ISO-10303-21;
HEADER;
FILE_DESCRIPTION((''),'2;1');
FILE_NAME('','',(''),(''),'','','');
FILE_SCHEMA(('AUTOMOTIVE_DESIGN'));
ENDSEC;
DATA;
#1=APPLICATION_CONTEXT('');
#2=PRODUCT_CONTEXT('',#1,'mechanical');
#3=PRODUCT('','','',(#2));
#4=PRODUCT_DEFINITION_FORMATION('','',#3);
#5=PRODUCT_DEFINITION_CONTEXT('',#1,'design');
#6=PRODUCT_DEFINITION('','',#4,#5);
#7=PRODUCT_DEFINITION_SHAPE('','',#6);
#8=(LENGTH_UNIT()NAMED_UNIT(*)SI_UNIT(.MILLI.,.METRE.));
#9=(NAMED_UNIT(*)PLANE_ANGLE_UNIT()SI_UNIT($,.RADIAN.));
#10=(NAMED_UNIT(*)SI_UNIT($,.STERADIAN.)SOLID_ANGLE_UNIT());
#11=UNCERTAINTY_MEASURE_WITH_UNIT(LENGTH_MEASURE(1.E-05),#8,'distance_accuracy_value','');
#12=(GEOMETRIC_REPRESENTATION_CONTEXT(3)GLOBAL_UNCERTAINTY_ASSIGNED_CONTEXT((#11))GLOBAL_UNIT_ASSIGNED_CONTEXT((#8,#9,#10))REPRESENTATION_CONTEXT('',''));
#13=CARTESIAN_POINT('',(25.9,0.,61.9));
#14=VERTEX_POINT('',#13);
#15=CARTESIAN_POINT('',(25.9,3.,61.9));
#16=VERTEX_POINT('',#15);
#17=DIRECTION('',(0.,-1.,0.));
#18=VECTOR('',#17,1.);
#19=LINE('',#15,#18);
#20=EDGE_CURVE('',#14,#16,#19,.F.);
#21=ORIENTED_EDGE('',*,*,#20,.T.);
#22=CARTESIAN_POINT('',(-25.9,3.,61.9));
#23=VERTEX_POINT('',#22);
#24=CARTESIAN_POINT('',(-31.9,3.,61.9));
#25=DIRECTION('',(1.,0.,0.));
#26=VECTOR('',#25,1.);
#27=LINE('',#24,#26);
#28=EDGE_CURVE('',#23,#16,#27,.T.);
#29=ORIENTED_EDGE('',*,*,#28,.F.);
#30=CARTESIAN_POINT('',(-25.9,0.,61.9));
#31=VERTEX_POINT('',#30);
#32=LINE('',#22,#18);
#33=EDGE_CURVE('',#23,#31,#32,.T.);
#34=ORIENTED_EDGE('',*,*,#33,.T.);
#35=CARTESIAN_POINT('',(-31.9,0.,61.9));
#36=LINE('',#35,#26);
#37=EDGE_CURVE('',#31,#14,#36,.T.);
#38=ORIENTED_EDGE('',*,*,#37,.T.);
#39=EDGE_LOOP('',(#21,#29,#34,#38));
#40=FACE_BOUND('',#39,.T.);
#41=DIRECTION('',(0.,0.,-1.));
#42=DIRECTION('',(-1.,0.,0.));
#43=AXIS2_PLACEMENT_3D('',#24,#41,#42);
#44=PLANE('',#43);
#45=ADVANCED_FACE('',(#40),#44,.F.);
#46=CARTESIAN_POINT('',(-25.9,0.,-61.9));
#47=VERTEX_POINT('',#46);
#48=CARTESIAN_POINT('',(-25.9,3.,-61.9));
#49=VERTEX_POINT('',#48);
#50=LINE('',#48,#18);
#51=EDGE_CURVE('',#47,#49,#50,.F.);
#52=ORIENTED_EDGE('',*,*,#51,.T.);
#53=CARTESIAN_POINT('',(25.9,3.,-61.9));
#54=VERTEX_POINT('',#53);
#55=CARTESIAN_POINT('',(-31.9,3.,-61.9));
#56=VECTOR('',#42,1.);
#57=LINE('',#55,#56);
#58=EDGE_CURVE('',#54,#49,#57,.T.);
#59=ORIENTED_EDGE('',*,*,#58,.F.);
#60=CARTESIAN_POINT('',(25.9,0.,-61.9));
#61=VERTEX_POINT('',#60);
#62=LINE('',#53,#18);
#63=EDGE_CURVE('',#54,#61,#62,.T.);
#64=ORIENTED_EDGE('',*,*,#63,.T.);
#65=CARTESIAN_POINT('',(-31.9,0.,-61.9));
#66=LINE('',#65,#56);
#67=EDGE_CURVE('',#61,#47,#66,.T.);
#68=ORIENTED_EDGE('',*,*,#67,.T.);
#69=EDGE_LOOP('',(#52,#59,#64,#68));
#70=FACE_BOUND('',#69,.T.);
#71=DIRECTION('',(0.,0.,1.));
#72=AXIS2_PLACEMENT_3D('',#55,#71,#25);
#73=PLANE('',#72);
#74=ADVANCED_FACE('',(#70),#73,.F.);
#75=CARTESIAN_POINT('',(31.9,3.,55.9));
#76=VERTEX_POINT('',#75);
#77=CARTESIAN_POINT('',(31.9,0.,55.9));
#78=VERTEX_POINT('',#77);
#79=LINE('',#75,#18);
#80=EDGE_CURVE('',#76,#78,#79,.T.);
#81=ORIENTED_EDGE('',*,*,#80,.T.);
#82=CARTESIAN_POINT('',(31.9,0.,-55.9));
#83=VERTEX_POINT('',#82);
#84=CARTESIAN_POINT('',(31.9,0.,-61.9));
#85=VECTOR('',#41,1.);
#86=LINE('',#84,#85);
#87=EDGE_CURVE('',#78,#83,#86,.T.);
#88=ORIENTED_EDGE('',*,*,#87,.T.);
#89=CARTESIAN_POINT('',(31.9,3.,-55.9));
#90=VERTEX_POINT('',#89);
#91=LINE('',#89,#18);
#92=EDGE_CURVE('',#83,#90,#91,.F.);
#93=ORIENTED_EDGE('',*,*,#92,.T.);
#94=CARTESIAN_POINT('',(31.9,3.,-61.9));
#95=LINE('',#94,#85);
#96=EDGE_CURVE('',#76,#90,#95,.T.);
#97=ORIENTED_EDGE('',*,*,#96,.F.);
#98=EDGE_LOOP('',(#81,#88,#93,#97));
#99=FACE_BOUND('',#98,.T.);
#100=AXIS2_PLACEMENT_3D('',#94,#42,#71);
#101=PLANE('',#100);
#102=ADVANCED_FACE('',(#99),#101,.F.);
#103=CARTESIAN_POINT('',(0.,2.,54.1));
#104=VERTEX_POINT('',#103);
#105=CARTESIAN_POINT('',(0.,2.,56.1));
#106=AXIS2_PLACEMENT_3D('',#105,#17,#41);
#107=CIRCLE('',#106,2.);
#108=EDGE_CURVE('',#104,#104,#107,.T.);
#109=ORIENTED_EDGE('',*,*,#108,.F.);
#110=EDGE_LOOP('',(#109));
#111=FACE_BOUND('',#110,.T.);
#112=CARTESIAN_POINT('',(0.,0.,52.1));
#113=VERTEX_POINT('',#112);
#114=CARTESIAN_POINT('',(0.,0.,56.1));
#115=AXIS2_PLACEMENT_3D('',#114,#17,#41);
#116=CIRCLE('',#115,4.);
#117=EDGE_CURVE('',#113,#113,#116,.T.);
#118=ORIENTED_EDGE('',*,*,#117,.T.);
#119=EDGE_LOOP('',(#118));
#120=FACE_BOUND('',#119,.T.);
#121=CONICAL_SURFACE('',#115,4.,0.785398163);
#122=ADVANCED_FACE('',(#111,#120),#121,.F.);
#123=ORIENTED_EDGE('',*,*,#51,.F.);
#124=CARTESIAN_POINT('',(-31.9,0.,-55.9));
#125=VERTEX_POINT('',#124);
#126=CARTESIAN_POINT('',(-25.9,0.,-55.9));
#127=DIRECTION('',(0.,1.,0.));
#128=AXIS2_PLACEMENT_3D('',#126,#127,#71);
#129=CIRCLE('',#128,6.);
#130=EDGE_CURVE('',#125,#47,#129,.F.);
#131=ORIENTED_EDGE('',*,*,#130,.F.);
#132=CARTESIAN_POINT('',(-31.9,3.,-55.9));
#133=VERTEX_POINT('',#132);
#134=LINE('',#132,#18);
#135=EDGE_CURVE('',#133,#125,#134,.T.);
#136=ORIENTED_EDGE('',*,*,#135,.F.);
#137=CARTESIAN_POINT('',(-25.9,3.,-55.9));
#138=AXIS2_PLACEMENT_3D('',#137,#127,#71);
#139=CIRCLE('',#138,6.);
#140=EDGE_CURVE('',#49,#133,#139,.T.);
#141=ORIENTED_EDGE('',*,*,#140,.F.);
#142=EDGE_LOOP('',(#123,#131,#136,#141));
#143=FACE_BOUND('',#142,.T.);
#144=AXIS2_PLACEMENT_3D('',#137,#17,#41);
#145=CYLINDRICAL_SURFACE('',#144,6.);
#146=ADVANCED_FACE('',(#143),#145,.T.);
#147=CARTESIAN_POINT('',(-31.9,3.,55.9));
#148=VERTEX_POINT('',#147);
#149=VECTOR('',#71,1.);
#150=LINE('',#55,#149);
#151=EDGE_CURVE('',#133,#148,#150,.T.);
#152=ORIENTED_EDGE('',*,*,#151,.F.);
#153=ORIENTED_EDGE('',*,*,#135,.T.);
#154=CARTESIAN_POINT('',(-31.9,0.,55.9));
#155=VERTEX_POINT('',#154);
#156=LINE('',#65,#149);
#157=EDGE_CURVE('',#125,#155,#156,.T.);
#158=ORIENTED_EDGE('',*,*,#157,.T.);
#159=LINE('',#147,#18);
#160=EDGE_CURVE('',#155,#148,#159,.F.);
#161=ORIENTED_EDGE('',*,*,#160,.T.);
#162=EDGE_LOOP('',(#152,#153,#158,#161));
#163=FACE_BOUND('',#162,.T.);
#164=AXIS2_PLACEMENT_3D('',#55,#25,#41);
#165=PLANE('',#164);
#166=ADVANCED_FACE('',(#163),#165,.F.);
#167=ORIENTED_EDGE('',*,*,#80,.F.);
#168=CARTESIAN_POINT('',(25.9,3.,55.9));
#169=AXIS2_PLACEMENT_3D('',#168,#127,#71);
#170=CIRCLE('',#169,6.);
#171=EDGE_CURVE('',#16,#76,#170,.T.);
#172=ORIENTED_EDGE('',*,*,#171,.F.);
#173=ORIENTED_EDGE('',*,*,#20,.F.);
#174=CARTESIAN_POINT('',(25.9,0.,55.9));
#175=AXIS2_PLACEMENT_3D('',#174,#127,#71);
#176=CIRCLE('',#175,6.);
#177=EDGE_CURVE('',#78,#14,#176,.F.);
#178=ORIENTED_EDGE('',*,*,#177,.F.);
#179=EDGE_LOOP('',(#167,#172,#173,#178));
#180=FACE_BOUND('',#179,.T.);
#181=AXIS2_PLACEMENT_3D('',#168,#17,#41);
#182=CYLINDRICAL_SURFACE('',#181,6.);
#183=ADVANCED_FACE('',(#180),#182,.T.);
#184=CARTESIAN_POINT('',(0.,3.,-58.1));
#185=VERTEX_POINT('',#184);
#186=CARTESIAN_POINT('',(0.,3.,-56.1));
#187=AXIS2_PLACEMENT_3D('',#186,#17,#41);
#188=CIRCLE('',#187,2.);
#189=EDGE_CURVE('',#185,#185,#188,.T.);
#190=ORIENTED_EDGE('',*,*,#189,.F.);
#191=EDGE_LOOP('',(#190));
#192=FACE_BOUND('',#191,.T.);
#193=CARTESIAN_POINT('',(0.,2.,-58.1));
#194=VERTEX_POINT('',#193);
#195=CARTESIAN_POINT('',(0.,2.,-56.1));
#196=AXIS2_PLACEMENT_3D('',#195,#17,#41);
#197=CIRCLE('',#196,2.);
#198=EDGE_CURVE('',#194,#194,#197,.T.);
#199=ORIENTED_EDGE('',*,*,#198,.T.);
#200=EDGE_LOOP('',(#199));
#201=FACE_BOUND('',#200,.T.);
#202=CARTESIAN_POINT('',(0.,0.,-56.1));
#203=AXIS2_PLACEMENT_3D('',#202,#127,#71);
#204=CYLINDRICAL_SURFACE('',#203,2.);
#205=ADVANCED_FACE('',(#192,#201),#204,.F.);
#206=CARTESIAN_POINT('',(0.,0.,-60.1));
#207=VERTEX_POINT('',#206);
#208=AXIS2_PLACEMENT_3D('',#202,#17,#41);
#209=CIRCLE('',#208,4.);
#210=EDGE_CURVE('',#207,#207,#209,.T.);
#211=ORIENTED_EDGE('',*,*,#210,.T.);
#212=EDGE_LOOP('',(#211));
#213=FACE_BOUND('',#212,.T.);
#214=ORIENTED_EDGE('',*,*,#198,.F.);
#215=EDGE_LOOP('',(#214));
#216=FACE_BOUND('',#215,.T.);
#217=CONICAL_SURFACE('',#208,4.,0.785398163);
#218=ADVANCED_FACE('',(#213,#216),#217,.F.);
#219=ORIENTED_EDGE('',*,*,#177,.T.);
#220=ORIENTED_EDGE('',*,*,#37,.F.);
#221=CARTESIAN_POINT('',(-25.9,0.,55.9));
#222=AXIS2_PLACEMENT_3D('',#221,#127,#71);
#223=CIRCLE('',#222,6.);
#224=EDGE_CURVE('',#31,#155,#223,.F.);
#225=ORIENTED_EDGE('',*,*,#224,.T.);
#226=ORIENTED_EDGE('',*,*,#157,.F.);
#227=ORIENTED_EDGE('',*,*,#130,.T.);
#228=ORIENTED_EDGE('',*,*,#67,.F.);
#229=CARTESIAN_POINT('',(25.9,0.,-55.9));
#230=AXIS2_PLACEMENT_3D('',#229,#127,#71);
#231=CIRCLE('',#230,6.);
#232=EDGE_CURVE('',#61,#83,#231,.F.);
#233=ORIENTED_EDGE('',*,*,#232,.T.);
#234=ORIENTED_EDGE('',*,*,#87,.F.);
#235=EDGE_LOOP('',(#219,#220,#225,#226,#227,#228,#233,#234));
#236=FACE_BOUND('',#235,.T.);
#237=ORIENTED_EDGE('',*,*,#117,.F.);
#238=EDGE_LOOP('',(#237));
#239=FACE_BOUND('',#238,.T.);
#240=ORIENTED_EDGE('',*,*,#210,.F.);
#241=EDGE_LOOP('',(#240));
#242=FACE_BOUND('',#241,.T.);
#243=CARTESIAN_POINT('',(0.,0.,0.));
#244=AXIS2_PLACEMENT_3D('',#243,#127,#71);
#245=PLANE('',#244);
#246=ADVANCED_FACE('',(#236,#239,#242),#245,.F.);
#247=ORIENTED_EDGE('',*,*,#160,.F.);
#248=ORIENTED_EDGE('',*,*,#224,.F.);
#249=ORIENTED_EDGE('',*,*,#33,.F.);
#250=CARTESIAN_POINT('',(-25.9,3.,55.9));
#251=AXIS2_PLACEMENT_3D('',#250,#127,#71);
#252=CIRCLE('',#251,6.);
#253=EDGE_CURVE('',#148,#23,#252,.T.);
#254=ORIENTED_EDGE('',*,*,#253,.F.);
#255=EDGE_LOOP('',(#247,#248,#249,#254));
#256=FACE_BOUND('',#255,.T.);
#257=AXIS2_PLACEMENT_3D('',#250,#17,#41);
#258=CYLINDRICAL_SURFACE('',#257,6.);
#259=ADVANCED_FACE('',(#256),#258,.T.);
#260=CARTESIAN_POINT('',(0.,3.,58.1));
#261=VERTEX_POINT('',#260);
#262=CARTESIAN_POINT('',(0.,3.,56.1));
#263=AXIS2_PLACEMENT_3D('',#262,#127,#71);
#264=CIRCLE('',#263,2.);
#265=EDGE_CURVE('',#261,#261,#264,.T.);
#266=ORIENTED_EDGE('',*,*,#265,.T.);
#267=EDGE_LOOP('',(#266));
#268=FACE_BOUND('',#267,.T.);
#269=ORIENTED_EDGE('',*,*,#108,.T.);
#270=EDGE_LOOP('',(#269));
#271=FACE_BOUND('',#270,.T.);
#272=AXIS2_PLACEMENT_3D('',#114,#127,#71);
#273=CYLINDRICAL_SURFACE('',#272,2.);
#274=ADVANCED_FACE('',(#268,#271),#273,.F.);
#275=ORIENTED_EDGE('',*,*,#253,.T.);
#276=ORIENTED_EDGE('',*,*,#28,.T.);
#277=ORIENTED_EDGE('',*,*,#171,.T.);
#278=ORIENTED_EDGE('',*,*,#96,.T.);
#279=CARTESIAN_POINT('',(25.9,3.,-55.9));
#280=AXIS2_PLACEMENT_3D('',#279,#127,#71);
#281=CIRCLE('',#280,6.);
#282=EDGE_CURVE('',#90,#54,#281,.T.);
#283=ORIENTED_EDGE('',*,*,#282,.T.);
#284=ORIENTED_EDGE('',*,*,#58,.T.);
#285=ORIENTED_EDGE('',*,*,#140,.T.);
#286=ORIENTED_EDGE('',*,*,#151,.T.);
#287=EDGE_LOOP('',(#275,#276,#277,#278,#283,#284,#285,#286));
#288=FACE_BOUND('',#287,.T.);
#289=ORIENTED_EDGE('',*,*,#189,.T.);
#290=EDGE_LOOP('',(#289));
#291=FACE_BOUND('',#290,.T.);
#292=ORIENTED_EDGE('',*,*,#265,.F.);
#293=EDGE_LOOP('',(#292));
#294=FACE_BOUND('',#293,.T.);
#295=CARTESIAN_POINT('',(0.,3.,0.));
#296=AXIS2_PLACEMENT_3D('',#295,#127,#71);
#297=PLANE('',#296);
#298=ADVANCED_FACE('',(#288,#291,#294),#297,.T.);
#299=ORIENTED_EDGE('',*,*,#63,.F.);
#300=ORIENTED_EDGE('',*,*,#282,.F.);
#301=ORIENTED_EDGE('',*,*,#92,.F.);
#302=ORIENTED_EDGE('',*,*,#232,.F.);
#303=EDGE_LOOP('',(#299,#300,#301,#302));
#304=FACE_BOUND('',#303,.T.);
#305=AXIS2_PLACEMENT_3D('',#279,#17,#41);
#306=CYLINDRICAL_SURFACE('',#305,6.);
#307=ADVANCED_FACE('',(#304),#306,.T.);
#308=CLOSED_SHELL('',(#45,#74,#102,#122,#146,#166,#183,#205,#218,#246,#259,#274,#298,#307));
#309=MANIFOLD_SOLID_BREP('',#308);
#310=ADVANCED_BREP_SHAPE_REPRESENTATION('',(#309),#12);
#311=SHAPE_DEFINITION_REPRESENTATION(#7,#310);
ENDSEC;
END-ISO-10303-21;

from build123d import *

# Parameters (mm, degrees)
SKETCH1_W           = 63.8
SKETCH1_H           = 123.8
BOSS_EXTRUDE1_DEPTH = 3
SKETCH2_R           = 2
CUT_EXTRUDE1_DEPTH  = 70.700932562
FILLET1_R           = 6


with BuildPart() as part:
    # Sketch1 → Boss-Extrude1 (new body)
    with BuildSketch(Plane(origin=(0, 0, 0), x_dir=(1, 0, 0), z_dir=(0, 1, 0))):
        Rectangle(SKETCH1_W, SKETCH1_H)
    extrude(amount=BOSS_EXTRUDE1_DEPTH)

    # Sketch2 → Cut-Extrude1 (cut, through all)
    with BuildSketch(Plane(origin=(0, 3, 0), x_dir=(1, 0, 0), z_dir=(0, 1, 0))):
        with Locations(Location((0, -56.1, 0), (0, 0, 270))):
            Circle(SKETCH2_R)
    cut_extrude1 = extrude(amount=-CUT_EXTRUDE1_DEPTH, mode=Mode.SUBTRACT)

    # Sketch3 → CSK for M4 Hex Socket Countersunk Head Screw1 (revolve, cut)
    with BuildSketch(Plane(origin=(0, 0, 56.1), x_dir=(0, 0, -1), z_dir=(1, 0, 0))):
        Polygon((0, 0), (0, 3), (2, 3), (2, 2), (4, 0), align=None)
    csk_for_m4_hex_socket_countersunk_head_s = revolve(axis=Axis((0, -6.35, 56.1), (0, 1, 0)), mode=Mode.SUBTRACT)

    # Mirror1: Cut-Extrude1, CSK for M4 Hex Socket Countersunk Head Screw1 across plane
    add(cut_extrude1.mirror(Plane.XY), mode=Mode.SUBTRACT)
    add(csk_for_m4_hex_socket_countersunk_head_s.mirror(Plane.XY), mode=Mode.SUBTRACT)

    # Fillet1
    fillet1_edges = [part.edges().sort_by_distance(p)[0] for p in [
        (31.9, 1.5, 61.9),
        (-31.9, 1.5, 61.9),
        (-31.9, 1.5, -61.9),
        (31.9, 1.5, -61.9),
    ]]
    fillet(fillet1_edges, radius=FILLET1_R)


solid = part.part
